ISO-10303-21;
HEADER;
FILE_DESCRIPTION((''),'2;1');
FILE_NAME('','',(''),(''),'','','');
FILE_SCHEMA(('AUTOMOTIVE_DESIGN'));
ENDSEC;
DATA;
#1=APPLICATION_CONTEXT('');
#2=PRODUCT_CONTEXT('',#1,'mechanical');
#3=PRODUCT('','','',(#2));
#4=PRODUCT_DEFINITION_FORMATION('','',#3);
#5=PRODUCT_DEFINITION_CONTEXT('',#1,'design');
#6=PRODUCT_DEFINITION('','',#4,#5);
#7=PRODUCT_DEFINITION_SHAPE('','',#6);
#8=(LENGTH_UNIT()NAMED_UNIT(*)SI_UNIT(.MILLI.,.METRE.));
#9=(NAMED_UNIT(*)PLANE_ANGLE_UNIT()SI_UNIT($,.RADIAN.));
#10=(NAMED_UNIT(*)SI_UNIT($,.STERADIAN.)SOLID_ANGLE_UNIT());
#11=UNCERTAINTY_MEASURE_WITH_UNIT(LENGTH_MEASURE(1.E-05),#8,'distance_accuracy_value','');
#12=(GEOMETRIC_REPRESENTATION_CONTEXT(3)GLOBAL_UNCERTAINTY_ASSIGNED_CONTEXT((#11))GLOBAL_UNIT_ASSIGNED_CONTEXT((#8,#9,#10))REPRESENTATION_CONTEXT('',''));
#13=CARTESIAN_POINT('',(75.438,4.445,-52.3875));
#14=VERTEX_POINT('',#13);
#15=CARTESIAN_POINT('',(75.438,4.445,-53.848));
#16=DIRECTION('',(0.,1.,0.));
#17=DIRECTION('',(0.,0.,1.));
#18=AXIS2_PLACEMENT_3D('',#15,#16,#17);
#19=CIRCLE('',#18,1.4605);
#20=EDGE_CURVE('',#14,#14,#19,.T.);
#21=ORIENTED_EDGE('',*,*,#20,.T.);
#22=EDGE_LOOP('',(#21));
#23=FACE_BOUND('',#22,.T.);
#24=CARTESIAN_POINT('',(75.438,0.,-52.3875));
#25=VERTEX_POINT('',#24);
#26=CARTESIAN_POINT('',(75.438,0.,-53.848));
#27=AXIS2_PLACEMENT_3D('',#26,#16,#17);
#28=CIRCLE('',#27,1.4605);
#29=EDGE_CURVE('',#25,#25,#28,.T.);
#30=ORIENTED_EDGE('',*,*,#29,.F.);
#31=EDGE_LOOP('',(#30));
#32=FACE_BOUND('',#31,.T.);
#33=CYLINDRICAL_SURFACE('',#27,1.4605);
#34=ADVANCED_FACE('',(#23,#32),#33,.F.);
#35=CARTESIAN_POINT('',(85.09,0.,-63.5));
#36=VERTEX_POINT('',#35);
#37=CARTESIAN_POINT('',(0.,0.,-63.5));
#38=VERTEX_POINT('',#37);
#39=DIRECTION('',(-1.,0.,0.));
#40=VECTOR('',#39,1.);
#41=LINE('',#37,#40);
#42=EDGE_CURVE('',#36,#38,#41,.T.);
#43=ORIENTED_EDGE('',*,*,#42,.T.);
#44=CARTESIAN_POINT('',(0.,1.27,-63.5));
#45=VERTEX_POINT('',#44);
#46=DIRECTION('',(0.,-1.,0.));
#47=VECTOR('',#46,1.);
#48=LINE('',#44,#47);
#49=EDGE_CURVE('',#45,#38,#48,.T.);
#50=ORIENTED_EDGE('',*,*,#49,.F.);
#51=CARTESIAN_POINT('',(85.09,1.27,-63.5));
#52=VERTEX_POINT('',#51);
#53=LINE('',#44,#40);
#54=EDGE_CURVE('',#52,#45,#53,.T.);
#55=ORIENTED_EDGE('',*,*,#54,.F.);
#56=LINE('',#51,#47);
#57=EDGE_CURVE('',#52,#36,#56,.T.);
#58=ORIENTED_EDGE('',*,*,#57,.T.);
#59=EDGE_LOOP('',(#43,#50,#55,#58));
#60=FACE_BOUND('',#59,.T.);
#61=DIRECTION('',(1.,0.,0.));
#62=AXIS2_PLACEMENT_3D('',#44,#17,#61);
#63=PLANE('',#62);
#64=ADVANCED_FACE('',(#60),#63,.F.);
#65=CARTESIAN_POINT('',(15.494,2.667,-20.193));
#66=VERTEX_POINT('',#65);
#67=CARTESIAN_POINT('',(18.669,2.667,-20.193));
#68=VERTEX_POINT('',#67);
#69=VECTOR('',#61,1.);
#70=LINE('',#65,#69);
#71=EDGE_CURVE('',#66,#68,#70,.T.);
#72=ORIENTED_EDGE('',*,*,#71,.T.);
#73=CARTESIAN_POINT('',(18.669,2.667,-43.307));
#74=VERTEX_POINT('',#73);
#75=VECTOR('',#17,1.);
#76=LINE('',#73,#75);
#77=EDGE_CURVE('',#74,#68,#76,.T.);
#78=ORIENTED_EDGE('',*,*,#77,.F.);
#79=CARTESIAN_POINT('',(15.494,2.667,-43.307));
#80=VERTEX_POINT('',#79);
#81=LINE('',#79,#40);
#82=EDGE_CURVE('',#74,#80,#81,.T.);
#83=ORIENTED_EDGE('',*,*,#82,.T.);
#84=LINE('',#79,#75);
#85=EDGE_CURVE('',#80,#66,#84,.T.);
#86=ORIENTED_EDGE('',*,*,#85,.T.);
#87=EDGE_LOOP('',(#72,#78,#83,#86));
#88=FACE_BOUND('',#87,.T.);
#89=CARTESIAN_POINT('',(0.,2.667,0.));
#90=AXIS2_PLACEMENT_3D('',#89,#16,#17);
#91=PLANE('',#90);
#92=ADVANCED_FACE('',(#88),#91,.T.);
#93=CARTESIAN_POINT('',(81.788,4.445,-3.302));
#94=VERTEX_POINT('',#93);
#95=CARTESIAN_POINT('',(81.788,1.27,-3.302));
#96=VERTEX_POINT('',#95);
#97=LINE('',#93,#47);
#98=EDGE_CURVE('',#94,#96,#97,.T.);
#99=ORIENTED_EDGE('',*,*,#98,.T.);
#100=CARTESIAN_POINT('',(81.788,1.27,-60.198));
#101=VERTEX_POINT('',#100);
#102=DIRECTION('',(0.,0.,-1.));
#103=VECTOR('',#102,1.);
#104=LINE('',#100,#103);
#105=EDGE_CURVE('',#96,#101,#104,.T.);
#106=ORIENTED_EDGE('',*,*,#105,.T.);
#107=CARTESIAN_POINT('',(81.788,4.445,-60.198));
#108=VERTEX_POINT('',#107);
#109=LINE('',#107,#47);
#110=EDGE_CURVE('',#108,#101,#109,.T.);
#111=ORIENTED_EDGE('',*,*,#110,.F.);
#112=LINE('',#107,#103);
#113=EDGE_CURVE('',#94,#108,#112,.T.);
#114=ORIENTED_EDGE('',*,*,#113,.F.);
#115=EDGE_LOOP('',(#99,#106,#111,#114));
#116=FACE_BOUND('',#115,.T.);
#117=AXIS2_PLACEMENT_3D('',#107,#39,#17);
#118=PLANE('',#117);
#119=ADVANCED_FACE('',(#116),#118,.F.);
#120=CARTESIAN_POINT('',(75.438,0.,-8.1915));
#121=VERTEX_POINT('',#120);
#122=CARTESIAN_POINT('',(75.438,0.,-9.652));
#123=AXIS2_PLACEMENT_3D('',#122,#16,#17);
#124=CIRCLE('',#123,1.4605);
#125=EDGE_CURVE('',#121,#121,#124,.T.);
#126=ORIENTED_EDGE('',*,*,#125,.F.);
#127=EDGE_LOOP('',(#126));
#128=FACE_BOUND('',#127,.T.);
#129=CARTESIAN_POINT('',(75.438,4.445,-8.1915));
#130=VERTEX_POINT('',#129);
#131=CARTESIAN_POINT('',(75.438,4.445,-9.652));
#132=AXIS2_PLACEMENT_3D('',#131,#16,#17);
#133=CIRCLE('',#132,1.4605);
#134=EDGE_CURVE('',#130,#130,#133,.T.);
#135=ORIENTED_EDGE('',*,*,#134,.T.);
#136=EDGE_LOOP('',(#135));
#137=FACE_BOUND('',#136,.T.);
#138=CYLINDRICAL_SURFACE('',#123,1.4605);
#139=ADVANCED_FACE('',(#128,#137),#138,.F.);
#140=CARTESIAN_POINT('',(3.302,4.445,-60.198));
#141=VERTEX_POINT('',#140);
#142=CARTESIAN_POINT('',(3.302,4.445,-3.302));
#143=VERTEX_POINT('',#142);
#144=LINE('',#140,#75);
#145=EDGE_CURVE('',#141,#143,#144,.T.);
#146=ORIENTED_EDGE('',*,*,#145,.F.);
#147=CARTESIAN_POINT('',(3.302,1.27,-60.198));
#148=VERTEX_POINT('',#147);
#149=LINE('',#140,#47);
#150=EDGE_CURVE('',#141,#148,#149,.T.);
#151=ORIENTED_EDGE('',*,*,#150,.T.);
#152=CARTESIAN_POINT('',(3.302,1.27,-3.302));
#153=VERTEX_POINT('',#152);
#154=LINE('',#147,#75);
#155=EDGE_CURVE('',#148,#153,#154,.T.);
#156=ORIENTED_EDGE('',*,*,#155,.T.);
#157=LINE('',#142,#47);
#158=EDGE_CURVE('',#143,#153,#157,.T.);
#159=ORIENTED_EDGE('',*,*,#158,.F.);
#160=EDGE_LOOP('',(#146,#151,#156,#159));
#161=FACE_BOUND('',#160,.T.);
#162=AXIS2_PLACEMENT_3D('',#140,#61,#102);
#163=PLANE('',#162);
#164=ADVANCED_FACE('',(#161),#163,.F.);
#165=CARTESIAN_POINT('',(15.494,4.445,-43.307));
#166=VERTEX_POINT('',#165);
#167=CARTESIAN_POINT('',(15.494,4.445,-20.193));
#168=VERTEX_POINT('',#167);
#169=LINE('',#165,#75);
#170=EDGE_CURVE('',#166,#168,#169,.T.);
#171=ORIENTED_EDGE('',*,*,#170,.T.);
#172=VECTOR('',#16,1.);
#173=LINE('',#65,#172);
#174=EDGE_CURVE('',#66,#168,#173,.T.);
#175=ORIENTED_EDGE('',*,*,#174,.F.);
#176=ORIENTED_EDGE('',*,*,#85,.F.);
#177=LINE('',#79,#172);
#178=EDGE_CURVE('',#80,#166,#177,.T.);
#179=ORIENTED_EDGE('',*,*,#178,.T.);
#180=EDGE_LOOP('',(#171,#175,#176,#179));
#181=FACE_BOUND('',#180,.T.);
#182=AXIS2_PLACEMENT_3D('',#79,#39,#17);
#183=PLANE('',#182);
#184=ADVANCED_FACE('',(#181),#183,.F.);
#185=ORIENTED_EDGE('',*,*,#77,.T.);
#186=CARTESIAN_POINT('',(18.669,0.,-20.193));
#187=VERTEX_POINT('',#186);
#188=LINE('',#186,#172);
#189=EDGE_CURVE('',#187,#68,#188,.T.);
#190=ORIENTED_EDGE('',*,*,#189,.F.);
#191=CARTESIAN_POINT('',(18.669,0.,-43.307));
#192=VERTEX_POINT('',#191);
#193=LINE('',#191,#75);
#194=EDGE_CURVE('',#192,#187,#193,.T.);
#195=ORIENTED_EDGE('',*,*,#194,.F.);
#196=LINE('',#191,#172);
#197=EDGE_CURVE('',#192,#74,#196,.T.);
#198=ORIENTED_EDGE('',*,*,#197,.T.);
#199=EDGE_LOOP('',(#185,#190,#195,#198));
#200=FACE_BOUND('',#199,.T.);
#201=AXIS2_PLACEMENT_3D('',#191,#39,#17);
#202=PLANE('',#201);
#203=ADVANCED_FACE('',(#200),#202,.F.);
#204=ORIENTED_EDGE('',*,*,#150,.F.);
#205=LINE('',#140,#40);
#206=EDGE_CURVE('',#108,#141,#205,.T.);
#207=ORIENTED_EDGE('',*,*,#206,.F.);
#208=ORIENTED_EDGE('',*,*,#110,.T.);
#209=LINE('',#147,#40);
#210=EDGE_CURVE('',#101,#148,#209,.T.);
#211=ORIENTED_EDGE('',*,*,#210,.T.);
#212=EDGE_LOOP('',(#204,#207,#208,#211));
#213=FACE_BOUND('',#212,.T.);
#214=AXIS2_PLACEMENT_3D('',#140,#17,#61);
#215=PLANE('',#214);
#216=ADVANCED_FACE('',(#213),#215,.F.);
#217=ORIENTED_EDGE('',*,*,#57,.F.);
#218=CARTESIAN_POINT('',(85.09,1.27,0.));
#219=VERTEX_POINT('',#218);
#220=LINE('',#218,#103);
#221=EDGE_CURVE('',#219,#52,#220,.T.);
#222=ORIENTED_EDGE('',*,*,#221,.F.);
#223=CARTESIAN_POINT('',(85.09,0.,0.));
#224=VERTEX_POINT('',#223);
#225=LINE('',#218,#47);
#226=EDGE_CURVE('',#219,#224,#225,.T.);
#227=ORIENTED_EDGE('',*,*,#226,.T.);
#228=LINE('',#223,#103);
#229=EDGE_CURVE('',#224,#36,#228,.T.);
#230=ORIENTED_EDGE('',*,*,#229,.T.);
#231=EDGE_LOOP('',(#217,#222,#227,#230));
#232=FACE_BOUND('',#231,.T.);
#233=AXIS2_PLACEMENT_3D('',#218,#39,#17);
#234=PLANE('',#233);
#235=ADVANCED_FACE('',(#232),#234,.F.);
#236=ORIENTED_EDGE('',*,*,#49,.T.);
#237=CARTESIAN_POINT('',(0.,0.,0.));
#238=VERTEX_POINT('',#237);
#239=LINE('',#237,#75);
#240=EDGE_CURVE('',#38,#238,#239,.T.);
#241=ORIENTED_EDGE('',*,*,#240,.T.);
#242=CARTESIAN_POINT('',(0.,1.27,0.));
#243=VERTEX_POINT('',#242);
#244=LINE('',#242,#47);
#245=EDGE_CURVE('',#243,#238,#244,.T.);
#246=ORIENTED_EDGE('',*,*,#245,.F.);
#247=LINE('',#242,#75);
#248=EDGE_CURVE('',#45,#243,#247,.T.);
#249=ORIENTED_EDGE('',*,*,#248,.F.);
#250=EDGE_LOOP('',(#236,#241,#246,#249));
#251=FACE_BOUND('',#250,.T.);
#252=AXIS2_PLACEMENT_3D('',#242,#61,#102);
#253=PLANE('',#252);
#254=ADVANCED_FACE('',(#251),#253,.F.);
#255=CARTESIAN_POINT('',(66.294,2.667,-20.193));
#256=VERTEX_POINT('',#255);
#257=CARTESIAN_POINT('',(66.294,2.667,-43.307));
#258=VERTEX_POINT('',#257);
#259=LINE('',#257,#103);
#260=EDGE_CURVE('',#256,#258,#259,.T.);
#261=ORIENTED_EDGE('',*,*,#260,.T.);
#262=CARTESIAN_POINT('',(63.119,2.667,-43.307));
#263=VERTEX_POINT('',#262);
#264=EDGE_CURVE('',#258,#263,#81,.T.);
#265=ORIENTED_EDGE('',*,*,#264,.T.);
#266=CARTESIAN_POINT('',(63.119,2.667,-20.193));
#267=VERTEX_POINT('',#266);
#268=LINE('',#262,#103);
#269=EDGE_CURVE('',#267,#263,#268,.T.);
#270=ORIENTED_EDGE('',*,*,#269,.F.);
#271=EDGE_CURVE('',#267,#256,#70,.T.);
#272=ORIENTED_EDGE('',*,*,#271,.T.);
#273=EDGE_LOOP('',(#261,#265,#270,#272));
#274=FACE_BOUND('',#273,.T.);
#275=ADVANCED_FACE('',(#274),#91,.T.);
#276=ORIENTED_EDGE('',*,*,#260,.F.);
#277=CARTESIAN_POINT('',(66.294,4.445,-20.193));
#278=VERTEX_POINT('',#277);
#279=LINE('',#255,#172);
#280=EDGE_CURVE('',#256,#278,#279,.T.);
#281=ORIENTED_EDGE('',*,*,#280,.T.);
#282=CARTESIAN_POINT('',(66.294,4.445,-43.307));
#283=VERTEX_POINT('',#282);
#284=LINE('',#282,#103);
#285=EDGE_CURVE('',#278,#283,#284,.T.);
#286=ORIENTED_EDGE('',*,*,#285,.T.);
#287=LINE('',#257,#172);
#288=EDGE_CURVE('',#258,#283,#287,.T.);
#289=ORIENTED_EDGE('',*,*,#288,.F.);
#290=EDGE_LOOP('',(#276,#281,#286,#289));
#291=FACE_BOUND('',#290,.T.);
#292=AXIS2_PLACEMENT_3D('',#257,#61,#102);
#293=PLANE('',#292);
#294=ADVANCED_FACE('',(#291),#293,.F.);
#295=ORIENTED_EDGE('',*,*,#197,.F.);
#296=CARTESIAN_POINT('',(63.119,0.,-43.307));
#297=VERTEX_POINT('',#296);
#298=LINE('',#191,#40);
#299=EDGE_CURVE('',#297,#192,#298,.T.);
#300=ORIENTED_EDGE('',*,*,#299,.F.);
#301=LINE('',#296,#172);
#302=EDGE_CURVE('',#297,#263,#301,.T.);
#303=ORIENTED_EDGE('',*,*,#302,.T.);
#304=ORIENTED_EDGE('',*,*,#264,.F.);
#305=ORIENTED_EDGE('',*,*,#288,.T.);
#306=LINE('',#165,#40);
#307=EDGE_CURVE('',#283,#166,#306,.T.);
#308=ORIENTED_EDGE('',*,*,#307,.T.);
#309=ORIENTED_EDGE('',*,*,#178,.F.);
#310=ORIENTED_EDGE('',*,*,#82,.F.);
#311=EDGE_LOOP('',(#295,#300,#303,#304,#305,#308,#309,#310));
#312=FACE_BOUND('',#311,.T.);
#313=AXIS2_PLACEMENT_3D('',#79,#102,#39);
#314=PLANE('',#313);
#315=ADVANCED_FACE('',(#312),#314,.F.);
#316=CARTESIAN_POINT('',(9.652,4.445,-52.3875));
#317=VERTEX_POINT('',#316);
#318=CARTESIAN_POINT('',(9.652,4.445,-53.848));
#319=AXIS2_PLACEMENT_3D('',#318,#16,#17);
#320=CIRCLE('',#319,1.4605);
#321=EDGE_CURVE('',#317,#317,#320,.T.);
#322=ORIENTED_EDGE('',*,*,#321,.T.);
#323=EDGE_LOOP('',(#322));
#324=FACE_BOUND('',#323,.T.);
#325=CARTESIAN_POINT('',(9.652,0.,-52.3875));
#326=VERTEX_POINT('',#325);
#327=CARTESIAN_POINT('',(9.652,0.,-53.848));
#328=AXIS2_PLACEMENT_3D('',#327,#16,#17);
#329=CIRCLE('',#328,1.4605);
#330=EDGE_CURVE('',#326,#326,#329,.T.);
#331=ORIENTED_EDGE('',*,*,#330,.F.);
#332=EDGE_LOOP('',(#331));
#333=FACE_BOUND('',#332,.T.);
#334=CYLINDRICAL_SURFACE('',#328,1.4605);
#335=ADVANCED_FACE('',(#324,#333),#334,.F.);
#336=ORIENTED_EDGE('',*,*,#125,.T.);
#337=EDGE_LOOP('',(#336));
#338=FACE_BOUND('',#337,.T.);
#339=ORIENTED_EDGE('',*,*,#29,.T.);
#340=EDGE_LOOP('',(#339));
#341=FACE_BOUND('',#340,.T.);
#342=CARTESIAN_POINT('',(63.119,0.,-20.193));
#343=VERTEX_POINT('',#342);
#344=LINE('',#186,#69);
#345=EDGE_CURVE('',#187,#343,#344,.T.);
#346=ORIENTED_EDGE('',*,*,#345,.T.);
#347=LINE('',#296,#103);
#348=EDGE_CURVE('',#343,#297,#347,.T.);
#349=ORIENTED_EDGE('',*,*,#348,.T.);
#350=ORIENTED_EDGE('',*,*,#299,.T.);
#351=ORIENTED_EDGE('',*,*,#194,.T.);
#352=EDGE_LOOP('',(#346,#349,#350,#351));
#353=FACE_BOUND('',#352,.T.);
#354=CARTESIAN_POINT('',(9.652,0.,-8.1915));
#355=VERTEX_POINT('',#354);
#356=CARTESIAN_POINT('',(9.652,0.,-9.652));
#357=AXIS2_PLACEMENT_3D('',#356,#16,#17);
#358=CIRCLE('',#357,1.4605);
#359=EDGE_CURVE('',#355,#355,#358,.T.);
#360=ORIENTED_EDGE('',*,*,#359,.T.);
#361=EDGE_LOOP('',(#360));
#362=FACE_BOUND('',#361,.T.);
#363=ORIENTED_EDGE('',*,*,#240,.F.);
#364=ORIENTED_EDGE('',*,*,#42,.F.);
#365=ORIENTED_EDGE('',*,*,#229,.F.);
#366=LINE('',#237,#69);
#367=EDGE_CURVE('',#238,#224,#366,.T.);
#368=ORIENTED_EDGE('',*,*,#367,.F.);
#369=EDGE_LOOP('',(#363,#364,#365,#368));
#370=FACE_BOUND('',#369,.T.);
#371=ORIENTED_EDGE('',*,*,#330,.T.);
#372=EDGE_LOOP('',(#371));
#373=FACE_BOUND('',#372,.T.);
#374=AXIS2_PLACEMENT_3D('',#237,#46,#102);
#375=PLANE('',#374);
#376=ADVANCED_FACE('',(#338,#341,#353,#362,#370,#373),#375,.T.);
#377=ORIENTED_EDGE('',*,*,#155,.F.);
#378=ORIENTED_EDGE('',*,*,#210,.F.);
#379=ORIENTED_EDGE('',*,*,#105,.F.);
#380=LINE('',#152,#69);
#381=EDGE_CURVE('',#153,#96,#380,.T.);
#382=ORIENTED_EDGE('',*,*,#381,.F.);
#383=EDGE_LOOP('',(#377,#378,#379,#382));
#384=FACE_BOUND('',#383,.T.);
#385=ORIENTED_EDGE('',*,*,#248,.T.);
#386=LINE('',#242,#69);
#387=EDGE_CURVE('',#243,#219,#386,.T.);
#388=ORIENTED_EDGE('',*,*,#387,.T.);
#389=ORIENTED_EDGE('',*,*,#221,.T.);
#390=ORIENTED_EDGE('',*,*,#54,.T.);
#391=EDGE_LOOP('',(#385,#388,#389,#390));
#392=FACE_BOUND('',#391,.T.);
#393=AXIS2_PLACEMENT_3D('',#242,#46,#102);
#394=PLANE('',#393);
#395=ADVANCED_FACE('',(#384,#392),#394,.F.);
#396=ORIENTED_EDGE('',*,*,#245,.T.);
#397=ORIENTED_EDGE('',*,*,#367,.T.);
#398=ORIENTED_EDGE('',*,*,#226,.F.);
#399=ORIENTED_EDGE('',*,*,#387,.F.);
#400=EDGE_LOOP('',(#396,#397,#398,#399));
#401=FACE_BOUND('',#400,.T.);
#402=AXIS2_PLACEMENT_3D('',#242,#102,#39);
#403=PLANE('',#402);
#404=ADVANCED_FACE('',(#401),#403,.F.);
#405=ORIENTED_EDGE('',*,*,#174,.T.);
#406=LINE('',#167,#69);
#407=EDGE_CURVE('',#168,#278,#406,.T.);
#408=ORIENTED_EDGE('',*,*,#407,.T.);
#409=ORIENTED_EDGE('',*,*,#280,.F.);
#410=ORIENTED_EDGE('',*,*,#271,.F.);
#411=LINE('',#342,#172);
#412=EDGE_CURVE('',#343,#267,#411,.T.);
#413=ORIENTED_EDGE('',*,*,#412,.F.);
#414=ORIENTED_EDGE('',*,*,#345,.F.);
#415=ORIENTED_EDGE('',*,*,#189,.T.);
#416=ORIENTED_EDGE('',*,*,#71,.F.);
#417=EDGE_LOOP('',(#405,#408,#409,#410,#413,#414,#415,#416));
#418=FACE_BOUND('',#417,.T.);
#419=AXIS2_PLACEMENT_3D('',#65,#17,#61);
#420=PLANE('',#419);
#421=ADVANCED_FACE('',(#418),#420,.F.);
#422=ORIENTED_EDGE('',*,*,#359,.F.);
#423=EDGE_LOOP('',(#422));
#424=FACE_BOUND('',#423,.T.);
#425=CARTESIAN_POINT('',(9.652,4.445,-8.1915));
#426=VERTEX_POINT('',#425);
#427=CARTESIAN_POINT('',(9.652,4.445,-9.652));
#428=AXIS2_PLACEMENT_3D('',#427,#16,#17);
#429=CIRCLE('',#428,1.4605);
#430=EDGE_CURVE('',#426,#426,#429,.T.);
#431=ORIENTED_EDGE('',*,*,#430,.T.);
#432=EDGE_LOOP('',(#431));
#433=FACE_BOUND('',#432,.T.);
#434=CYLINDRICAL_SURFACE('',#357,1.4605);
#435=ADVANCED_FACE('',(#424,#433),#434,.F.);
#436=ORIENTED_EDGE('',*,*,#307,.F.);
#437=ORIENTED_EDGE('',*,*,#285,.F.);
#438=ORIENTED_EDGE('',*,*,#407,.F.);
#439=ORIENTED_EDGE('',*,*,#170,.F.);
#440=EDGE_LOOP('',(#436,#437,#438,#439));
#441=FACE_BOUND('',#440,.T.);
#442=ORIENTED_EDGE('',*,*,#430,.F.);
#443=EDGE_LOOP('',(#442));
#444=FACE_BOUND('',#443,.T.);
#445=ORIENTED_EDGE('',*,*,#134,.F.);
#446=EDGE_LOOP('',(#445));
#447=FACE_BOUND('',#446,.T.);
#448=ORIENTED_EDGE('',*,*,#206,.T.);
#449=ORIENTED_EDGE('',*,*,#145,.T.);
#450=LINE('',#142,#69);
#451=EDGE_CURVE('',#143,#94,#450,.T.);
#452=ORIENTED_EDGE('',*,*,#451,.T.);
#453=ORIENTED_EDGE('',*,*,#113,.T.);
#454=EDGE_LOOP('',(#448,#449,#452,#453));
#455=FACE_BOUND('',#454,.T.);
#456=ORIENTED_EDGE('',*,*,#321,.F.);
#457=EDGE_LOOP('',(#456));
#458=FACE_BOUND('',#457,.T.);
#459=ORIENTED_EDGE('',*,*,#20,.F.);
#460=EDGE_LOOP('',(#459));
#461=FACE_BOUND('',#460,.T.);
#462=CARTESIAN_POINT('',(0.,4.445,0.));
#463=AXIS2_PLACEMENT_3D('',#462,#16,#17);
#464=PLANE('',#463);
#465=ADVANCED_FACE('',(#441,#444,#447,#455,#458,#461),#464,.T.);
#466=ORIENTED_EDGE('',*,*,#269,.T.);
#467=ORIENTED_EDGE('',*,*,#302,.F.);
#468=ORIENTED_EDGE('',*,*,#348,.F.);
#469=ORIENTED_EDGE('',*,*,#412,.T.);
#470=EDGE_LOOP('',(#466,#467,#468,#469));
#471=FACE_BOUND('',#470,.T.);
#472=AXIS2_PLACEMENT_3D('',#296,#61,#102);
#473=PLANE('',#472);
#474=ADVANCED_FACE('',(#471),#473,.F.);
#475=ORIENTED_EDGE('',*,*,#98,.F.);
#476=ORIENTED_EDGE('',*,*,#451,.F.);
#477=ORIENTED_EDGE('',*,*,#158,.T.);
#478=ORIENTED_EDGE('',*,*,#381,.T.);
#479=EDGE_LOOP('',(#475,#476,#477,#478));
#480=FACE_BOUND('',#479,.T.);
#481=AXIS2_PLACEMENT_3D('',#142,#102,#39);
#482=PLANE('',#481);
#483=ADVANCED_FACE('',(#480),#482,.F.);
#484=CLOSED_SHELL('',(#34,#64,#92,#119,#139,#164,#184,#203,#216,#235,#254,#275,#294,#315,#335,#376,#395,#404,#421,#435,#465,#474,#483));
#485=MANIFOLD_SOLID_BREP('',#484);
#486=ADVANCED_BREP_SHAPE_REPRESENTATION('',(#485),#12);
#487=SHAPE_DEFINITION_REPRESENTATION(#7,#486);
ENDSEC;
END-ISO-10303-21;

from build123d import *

# Parameters (mm, degrees)
SKETCH2_W           = 85.09
SKETCH2_H           = 63.5
BOSS_EXTRUDE1_DEPTH = 1.27
SKETCH3_W           = 78.486
SKETCH3_H           = 56.896
BOSS_EXTRUDE2_DEPTH = 3.175
SKETCH4_W           = 50.8
SKETCH4_H           = 23.114
CUT_EXTRUDE1_DEPTH  = 1.778
SKETCH5_W           = 44.45
SKETCH5_H           = 23.114
CUT_EXTRUDE2_DEPTH  = 3.667
SKETCH6_R           = 1.4605
CUT_EXTRUDE3_DEPTH  = 5.445


with BuildPart() as part:
    # Sketch2 → Boss-Extrude1 (new body)
    with BuildSketch(Plane(origin=(0, 0, 0), x_dir=(1, 0, 0), z_dir=(0, 1, 0))):
        with Locations((42.545, 31.75)):
            Rectangle(SKETCH2_W, SKETCH2_H)
    extrude(amount=BOSS_EXTRUDE1_DEPTH)

    # Sketch3 → Boss-Extrude2 (add)
    with BuildSketch(Plane(origin=(0, 1.27, 0), x_dir=(1, 0, 0), z_dir=(0, 1, 0))):
        with Locations((42.545, 31.75)):
            Rectangle(SKETCH3_W, SKETCH3_H)
    extrude(amount=BOSS_EXTRUDE2_DEPTH)

    # Sketch4 → Cut-Extrude1 (cut)
    with BuildSketch(Plane(origin=(0, 4.445, 0), x_dir=(1, 0, 0), z_dir=(0, 1, 0))):
        with Locations((40.894, 31.75)):
            Rectangle(SKETCH4_W, SKETCH4_H)
    extrude(amount=-CUT_EXTRUDE1_DEPTH, mode=Mode.SUBTRACT)

    # Sketch5 → Cut-Extrude2 (cut, through all)
    with BuildSketch(Plane(origin=(0, 2.667, 0), x_dir=(1, 0, 0), z_dir=(0, 1, 0))):
        with Locations((40.894, 31.75)):
            Rectangle(SKETCH5_W, SKETCH5_H)
    extrude(amount=-CUT_EXTRUDE2_DEPTH, mode=Mode.SUBTRACT)

    # Sketch6 → Cut-Extrude3 (cut, through all)
    with BuildSketch(Plane(origin=(0, 4.445, 0), x_dir=(1, 0, 0), z_dir=(0, 1, 0))):
        with Locations((9.652, 53.848)):
            Circle(SKETCH6_R)
        with Locations((9.652, 9.652)):
            Circle(SKETCH6_R)
        with Locations((75.438, 53.848)):
            Circle(SKETCH6_R)
        with Locations((75.438, 9.652)):
            Circle(SKETCH6_R)
    extrude(amount=-CUT_EXTRUDE3_DEPTH, mode=Mode.SUBTRACT)


solid = part.part
